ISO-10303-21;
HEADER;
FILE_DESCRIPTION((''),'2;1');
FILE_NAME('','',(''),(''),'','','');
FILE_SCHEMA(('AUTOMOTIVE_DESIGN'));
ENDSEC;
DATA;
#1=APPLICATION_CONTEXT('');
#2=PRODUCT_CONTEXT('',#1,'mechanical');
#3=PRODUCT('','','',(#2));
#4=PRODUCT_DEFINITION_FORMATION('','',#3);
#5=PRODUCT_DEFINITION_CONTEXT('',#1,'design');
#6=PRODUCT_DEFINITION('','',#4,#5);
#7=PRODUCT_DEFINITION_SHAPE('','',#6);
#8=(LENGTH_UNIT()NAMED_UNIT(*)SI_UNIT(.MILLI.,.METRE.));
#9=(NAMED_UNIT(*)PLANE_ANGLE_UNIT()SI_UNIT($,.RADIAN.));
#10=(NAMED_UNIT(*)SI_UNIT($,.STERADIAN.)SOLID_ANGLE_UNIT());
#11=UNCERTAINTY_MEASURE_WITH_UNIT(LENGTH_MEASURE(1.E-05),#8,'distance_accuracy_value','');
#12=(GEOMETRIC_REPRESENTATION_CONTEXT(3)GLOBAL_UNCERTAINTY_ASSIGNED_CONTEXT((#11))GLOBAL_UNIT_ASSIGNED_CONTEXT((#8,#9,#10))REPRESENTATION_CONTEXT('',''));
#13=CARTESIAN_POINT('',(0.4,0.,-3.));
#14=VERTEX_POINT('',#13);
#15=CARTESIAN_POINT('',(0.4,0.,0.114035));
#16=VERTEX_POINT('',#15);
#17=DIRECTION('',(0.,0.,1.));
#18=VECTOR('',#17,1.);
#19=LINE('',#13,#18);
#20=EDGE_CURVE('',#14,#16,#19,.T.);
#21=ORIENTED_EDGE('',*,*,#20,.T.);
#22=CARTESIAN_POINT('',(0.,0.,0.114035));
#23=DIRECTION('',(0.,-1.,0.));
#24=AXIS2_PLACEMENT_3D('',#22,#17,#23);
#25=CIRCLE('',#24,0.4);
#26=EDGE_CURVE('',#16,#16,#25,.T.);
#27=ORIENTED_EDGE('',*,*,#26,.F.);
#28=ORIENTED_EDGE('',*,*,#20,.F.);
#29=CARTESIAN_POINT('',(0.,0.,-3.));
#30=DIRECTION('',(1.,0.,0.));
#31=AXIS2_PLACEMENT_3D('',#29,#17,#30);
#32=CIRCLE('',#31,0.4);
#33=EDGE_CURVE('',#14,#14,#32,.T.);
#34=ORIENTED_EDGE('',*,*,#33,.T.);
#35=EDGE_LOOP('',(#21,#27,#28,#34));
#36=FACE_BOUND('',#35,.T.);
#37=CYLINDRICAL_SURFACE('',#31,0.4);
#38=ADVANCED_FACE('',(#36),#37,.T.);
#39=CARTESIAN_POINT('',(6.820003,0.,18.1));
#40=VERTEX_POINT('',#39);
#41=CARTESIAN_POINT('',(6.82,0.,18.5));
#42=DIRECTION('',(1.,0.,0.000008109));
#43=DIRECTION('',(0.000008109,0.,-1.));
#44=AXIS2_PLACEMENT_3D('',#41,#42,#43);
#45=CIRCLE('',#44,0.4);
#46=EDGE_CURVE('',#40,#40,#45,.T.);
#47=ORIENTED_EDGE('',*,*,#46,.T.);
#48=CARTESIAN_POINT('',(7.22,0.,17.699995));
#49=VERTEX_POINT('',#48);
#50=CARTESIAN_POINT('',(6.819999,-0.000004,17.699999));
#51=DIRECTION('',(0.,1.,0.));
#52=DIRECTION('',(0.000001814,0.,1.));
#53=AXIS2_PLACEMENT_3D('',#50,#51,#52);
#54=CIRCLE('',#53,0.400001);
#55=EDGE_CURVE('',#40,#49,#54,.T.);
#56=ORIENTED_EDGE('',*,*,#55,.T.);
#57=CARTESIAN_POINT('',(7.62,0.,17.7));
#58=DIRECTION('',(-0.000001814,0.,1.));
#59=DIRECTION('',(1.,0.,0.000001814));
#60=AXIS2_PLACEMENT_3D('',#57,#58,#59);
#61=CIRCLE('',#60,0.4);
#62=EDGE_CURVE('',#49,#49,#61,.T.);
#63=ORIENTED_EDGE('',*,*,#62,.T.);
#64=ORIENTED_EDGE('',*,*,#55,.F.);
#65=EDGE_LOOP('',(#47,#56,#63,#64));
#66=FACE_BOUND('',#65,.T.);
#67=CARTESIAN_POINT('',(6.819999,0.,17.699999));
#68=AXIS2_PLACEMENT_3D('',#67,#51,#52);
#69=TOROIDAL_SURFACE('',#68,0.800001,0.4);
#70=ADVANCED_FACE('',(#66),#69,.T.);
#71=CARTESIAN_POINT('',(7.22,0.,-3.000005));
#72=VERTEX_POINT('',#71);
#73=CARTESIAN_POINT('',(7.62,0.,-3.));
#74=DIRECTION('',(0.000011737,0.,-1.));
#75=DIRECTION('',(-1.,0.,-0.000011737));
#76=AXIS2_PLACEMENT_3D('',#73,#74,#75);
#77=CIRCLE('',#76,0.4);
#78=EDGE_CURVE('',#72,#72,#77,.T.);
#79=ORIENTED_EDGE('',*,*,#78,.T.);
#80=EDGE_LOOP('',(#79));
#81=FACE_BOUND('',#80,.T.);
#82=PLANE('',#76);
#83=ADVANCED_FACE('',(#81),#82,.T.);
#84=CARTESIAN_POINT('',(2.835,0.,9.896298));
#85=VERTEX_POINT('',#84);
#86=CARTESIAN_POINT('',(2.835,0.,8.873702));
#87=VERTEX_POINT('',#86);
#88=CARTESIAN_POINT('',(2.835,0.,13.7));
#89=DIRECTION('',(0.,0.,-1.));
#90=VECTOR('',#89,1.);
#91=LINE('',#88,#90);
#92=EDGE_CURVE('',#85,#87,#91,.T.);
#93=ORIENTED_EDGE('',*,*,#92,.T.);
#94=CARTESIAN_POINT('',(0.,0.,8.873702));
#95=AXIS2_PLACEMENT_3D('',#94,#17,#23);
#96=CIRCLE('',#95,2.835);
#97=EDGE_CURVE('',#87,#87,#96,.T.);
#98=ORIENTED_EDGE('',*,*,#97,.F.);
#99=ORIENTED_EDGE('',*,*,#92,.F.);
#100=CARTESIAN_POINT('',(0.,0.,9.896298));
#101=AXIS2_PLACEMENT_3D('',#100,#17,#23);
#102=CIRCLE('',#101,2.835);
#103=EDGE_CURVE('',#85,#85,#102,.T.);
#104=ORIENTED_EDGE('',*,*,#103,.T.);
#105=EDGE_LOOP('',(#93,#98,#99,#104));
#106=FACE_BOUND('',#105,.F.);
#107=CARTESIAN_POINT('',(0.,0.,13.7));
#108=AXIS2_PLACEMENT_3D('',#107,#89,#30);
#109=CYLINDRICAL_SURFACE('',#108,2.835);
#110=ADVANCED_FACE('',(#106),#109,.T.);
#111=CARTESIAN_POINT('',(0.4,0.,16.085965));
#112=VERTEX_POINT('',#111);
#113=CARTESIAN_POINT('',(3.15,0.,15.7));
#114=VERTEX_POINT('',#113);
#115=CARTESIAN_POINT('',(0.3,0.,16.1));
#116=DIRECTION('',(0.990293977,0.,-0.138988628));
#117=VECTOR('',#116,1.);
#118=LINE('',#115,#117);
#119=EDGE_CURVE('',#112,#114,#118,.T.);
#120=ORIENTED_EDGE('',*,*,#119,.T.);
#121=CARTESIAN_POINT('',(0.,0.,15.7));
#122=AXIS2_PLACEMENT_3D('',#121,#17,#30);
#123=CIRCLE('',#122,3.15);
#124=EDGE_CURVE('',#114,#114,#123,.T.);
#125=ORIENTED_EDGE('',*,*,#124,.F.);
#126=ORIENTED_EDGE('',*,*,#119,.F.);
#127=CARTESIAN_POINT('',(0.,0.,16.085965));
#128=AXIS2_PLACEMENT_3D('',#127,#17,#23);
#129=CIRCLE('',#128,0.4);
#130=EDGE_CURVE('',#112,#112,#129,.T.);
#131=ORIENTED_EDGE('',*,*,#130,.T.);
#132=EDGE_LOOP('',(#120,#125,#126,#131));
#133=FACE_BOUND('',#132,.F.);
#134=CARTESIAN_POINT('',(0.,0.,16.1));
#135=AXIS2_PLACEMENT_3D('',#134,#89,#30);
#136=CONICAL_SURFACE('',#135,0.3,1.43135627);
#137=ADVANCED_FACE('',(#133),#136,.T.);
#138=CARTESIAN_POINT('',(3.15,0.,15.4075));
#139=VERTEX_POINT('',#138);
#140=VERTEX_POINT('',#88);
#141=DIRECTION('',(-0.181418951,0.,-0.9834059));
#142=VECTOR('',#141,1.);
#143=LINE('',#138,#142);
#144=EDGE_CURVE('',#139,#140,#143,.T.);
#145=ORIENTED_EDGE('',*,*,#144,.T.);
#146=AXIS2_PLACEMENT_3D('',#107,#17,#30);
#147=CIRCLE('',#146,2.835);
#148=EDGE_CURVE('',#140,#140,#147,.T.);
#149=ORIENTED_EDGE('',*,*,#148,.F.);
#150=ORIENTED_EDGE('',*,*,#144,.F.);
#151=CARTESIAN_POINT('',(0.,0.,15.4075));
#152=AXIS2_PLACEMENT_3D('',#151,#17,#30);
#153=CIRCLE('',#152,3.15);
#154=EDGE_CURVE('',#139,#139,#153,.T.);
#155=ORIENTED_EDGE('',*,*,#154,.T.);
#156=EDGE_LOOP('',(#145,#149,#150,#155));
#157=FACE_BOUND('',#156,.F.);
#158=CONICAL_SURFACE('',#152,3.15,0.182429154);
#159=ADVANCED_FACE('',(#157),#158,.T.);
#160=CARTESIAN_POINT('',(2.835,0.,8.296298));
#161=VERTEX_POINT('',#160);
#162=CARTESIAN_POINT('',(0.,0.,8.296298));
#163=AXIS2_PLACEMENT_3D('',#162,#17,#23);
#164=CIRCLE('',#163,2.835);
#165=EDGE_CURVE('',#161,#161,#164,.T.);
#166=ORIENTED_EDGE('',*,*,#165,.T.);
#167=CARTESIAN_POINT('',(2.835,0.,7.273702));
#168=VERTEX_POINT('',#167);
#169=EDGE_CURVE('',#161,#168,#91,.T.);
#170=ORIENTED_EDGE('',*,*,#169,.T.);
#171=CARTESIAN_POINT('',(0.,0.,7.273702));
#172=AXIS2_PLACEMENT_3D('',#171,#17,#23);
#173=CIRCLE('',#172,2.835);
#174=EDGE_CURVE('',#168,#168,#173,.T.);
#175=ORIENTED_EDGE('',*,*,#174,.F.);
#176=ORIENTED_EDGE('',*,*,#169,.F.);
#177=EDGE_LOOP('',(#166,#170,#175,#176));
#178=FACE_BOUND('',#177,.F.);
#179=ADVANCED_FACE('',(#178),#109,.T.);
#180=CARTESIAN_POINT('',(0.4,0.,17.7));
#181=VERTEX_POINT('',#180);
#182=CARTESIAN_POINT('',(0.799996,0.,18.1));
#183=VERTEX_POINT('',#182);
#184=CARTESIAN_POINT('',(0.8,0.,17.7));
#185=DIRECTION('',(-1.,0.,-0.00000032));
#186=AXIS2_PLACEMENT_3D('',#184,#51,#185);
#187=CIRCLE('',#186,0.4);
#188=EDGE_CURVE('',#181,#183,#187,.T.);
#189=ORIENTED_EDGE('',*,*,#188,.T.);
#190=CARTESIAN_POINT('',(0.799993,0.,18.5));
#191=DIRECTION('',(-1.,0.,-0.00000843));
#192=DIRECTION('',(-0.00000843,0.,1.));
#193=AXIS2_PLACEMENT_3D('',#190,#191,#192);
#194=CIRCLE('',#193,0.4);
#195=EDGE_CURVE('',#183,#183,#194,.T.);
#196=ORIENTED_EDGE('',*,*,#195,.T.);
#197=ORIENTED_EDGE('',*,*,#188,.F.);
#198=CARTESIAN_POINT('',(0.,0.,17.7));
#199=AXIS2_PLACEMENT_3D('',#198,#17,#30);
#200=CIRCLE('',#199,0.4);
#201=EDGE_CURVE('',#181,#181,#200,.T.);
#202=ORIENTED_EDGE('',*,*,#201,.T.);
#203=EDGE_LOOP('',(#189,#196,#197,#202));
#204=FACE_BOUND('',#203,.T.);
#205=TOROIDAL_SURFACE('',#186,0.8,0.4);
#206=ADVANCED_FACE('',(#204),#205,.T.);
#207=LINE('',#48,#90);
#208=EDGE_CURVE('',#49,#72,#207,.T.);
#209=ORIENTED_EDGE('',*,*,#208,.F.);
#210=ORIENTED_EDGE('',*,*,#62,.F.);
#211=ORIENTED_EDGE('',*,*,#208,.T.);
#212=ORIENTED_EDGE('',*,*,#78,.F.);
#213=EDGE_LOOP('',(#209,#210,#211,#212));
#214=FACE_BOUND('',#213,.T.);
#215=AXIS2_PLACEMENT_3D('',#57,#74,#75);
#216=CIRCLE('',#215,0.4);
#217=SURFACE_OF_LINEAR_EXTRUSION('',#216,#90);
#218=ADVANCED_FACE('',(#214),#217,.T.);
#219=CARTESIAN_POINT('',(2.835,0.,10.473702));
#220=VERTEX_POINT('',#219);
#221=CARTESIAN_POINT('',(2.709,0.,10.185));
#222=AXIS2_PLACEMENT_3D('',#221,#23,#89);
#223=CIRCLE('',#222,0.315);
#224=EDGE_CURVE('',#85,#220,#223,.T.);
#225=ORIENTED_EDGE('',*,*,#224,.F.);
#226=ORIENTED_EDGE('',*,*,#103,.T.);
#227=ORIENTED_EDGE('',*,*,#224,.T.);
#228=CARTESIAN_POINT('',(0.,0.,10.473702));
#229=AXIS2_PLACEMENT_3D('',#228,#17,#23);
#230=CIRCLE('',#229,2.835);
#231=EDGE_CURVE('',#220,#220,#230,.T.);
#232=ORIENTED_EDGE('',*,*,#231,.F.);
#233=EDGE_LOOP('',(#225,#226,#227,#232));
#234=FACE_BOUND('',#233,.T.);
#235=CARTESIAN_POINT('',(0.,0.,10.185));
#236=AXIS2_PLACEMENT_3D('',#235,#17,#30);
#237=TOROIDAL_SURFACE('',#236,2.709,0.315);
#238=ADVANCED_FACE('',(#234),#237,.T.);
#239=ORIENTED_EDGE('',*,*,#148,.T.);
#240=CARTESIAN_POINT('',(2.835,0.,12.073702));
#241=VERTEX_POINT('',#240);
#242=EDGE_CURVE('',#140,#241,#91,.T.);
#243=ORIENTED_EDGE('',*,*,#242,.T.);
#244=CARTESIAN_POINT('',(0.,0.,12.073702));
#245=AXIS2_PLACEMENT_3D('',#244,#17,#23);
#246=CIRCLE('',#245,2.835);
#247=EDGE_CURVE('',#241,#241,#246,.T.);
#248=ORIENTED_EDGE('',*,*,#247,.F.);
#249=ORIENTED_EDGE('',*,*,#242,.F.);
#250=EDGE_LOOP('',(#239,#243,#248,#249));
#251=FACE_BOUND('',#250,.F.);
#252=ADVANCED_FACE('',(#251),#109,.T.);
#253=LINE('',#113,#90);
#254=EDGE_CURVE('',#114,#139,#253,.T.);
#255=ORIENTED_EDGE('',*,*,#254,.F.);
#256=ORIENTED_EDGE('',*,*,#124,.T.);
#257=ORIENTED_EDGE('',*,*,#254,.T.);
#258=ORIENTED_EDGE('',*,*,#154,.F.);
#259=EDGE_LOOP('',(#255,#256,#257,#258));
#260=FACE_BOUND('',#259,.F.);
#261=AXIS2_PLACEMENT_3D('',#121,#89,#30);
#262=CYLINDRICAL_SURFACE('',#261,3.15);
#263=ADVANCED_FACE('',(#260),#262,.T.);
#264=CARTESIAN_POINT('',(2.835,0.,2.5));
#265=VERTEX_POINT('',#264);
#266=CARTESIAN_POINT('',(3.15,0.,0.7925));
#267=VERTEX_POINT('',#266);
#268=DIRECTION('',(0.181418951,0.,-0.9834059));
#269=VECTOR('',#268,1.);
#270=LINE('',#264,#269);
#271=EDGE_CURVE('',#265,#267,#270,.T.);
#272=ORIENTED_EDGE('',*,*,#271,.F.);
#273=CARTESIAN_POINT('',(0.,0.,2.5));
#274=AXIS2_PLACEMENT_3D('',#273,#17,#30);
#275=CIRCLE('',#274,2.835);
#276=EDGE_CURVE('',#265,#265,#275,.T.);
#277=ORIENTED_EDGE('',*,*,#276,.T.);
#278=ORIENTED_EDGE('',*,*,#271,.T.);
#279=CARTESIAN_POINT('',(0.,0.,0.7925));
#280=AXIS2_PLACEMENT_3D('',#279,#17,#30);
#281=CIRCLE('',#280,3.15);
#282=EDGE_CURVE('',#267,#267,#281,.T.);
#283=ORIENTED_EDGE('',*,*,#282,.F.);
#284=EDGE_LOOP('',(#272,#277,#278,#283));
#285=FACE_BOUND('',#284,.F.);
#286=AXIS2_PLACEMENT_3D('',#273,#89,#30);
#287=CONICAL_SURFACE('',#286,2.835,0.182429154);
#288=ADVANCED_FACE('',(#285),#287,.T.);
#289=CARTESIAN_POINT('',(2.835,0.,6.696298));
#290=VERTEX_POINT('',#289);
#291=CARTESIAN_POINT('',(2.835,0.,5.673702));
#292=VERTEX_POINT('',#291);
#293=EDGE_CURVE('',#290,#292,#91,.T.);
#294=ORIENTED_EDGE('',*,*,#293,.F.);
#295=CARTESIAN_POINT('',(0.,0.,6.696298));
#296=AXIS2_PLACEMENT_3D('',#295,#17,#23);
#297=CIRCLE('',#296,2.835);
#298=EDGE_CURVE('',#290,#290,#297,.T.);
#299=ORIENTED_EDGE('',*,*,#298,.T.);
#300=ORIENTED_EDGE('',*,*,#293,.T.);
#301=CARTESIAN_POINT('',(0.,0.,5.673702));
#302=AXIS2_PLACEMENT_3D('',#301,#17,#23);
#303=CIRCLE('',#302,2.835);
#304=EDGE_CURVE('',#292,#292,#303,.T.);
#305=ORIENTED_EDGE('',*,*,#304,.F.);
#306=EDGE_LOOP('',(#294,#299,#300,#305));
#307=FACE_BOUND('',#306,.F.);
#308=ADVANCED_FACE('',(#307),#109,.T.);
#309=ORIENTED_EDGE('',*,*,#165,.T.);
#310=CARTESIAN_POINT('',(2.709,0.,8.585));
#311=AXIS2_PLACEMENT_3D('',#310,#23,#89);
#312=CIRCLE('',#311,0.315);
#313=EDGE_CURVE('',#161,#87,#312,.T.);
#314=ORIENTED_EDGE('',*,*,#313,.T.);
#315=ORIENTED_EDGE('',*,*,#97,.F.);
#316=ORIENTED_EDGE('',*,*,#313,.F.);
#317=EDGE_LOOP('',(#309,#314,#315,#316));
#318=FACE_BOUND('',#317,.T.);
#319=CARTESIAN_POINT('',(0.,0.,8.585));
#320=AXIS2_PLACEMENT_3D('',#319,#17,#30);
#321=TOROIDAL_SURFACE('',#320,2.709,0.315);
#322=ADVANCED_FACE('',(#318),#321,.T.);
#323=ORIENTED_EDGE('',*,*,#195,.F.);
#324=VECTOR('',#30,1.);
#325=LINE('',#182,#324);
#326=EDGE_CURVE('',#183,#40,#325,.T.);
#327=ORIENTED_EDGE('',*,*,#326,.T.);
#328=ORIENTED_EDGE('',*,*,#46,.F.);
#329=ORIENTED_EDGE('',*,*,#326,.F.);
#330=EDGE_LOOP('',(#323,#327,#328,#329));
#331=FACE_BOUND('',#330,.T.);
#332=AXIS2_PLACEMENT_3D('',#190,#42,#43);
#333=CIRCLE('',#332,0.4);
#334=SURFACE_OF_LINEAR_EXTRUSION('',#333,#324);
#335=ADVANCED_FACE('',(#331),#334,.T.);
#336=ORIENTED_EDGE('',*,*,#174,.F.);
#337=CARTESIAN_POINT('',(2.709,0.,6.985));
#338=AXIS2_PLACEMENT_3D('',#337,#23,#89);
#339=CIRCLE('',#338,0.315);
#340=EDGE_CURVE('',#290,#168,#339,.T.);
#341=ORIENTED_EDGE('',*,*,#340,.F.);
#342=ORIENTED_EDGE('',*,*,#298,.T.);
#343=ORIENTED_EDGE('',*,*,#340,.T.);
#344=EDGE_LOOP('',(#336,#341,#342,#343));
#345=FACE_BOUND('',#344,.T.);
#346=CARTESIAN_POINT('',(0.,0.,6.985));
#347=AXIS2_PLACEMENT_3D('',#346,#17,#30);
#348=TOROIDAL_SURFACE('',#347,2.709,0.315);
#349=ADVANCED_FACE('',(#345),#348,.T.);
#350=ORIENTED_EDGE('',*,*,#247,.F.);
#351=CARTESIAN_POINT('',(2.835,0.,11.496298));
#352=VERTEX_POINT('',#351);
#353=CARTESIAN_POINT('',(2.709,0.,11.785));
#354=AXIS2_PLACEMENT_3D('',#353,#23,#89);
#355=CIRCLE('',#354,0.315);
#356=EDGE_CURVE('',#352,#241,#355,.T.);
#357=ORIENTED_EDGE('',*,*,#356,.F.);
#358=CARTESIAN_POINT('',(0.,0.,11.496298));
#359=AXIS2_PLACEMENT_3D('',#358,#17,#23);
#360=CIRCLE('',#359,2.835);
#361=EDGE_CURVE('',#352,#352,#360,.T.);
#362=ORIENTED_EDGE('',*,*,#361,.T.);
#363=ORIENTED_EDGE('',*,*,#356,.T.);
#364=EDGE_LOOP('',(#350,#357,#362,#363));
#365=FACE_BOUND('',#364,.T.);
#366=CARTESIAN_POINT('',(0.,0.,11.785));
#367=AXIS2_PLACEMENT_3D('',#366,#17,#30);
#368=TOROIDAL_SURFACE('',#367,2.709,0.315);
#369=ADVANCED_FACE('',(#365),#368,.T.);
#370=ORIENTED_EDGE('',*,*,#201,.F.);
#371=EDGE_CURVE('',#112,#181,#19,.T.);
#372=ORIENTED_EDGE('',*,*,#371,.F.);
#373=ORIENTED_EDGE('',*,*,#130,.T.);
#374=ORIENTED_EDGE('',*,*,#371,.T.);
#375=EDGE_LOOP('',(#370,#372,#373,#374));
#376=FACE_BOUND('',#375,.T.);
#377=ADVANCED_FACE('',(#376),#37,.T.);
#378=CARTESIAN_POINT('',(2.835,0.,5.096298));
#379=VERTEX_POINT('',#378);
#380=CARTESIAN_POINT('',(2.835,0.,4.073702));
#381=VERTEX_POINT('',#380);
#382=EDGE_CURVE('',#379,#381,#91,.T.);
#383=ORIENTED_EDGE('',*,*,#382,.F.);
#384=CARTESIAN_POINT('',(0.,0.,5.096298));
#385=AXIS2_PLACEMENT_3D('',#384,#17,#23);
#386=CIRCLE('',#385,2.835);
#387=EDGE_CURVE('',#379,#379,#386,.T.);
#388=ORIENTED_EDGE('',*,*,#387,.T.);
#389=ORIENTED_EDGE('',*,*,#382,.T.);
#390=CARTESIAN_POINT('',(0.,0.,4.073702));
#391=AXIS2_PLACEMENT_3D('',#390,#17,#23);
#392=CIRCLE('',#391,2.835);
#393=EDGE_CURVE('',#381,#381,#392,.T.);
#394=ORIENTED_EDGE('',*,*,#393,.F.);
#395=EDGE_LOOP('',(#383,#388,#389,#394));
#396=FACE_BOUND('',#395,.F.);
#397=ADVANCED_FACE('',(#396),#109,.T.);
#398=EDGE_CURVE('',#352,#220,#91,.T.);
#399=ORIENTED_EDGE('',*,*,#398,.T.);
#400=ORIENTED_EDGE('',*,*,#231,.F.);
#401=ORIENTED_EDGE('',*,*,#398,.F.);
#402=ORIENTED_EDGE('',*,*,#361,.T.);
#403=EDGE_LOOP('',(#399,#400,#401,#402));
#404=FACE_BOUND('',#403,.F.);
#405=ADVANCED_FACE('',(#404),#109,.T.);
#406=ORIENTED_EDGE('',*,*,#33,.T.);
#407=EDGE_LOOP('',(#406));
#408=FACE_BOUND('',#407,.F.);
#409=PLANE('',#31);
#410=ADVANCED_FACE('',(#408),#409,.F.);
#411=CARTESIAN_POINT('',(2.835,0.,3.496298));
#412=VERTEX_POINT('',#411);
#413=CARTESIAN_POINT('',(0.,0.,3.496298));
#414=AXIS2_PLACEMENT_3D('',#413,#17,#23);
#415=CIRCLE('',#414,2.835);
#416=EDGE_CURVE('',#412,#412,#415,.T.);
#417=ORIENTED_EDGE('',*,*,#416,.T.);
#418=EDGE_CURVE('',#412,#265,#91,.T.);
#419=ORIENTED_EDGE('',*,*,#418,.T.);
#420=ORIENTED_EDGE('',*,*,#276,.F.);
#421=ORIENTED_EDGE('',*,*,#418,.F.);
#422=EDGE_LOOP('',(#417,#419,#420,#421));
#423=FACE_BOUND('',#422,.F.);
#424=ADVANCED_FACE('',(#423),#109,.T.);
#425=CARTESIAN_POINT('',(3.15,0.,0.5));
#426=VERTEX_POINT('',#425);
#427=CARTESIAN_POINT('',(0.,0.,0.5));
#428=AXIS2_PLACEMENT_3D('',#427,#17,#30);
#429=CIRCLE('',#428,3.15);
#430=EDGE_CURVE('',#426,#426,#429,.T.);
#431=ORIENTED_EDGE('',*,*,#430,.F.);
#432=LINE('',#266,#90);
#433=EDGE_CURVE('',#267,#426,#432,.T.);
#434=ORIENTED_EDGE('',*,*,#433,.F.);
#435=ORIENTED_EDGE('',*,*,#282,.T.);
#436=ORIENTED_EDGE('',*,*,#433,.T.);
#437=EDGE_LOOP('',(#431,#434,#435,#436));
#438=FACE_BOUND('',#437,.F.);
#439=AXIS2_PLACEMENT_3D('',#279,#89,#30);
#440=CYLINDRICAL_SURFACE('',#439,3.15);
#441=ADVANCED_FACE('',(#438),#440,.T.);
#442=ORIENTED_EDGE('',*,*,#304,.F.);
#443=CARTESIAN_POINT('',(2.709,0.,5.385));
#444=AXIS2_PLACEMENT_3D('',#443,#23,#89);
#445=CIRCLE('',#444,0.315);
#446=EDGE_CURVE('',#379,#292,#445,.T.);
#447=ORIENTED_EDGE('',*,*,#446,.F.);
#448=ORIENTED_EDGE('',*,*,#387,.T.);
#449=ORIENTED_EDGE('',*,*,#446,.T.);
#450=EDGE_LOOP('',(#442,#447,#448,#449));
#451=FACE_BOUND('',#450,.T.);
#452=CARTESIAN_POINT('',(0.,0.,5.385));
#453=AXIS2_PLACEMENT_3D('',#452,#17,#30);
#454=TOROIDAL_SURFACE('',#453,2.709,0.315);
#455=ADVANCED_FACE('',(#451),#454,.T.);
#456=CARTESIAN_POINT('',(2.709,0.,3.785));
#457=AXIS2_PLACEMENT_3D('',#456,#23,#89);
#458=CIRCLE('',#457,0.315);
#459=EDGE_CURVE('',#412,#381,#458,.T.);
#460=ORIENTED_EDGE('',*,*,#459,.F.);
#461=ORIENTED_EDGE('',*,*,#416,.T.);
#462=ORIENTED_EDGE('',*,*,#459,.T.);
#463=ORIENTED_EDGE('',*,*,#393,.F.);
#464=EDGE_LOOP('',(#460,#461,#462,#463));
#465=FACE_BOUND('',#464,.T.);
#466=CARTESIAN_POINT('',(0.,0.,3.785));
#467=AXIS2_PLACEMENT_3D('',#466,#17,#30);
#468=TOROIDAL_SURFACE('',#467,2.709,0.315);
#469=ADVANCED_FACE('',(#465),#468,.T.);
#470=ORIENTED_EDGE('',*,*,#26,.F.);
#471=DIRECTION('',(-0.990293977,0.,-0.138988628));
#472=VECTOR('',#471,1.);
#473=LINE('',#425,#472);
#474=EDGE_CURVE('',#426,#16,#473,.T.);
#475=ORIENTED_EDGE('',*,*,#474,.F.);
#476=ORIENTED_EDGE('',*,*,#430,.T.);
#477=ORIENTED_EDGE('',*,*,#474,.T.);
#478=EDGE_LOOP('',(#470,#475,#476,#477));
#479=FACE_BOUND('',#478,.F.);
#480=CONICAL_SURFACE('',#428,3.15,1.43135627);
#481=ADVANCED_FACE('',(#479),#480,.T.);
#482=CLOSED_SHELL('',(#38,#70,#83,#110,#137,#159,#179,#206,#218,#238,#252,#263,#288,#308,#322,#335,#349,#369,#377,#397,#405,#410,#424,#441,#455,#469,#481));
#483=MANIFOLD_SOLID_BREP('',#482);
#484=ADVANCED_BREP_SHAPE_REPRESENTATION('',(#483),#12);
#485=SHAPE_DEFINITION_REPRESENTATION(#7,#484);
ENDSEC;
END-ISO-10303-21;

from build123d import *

# Parameters (mm, degrees)
SKETCH_R = 0.4


with BuildPart() as revolution:
    # Sketch002 → Revolution (revolve)
    with BuildSketch(Plane.XZ):
        Polygon((0, 0.1), (0, 16.1), (0.3, 16.1), (3.15, 15.7), (3.15, 15.4075), (2.835, 13.7), (2.835, 2.5), (3.15, 0.7925), (3.15, 0.5), (0.3, 0.1), align=None)
    revolve(axis=Axis((0, 0, 0), (0, 0, 1)))


with BuildPart() as sweep_body:
    # Sweep: sweep along a path in Sketch001
    with BuildLine(Plane.XZ) as sweep_path:
        Line((0, -3), (0, 17.7))
        ThreePointArc((0, 17.7), (0.234312, 18.265683), (0.799993, 18.5))
        Line((0.799993, 18.5), (6.82, 18.5))
        ThreePointArc((6.82, 18.5), (7.385685, 18.265685), (7.62, 17.7))
        Line((7.62, 17.7), (7.62, -3))
    # Sketch → Sweep (sweep)
    with BuildSketch(Plane.XY.offset(-2)):
        Circle(SKETCH_R)
    sweep(path=sweep_path.line)


with BuildPart() as revolution001_mp_cp:
    # Sketch003 → Revolution001 (revolve)
    with BuildSketch(Plane.XZ):
        with BuildLine():
            Line((2.52, 13.07), (2.52, 2.5))
            Line((2.52, 2.5), (2.709, 2.5))
            Line((2.709, 2.5), (2.709, 3.47))
            ThreePointArc((2.709, 3.47), (3.024, 3.785), (2.709, 4.1))
            Line((2.709, 4.1), (2.709, 5.07))
            ThreePointArc((2.709, 5.07), (3.024, 5.385), (2.709, 5.7))
            Line((2.709, 5.7), (2.709, 6.67))
            ThreePointArc((2.709, 6.67), (3.024, 6.985), (2.709, 7.3))
            Line((2.709, 7.3), (2.709, 8.27))
            ThreePointArc((2.709, 8.27), (3.024, 8.585), (2.709, 8.9))
            Line((2.709, 8.9), (2.709, 9.87))
            ThreePointArc((2.709, 9.87), (3.024, 10.185), (2.709, 10.5))
            Line((2.709, 10.5), (2.709, 11.47))
            ThreePointArc((2.709, 11.47), (3.024, 11.785), (2.709, 12.1))
            Line((2.709, 13.07), (2.709, 12.1))
            Line((2.52, 13.07), (2.709, 13.07))
        make_face()
    revolve(axis=Axis((0, 0, 0), (0, 0, 1)))

    # Revolution001_mp_cp: union Revolution, Sweep body
    add(revolution.part)
    add(sweep_body.part)


solid = revolution001_mp_cp.part
